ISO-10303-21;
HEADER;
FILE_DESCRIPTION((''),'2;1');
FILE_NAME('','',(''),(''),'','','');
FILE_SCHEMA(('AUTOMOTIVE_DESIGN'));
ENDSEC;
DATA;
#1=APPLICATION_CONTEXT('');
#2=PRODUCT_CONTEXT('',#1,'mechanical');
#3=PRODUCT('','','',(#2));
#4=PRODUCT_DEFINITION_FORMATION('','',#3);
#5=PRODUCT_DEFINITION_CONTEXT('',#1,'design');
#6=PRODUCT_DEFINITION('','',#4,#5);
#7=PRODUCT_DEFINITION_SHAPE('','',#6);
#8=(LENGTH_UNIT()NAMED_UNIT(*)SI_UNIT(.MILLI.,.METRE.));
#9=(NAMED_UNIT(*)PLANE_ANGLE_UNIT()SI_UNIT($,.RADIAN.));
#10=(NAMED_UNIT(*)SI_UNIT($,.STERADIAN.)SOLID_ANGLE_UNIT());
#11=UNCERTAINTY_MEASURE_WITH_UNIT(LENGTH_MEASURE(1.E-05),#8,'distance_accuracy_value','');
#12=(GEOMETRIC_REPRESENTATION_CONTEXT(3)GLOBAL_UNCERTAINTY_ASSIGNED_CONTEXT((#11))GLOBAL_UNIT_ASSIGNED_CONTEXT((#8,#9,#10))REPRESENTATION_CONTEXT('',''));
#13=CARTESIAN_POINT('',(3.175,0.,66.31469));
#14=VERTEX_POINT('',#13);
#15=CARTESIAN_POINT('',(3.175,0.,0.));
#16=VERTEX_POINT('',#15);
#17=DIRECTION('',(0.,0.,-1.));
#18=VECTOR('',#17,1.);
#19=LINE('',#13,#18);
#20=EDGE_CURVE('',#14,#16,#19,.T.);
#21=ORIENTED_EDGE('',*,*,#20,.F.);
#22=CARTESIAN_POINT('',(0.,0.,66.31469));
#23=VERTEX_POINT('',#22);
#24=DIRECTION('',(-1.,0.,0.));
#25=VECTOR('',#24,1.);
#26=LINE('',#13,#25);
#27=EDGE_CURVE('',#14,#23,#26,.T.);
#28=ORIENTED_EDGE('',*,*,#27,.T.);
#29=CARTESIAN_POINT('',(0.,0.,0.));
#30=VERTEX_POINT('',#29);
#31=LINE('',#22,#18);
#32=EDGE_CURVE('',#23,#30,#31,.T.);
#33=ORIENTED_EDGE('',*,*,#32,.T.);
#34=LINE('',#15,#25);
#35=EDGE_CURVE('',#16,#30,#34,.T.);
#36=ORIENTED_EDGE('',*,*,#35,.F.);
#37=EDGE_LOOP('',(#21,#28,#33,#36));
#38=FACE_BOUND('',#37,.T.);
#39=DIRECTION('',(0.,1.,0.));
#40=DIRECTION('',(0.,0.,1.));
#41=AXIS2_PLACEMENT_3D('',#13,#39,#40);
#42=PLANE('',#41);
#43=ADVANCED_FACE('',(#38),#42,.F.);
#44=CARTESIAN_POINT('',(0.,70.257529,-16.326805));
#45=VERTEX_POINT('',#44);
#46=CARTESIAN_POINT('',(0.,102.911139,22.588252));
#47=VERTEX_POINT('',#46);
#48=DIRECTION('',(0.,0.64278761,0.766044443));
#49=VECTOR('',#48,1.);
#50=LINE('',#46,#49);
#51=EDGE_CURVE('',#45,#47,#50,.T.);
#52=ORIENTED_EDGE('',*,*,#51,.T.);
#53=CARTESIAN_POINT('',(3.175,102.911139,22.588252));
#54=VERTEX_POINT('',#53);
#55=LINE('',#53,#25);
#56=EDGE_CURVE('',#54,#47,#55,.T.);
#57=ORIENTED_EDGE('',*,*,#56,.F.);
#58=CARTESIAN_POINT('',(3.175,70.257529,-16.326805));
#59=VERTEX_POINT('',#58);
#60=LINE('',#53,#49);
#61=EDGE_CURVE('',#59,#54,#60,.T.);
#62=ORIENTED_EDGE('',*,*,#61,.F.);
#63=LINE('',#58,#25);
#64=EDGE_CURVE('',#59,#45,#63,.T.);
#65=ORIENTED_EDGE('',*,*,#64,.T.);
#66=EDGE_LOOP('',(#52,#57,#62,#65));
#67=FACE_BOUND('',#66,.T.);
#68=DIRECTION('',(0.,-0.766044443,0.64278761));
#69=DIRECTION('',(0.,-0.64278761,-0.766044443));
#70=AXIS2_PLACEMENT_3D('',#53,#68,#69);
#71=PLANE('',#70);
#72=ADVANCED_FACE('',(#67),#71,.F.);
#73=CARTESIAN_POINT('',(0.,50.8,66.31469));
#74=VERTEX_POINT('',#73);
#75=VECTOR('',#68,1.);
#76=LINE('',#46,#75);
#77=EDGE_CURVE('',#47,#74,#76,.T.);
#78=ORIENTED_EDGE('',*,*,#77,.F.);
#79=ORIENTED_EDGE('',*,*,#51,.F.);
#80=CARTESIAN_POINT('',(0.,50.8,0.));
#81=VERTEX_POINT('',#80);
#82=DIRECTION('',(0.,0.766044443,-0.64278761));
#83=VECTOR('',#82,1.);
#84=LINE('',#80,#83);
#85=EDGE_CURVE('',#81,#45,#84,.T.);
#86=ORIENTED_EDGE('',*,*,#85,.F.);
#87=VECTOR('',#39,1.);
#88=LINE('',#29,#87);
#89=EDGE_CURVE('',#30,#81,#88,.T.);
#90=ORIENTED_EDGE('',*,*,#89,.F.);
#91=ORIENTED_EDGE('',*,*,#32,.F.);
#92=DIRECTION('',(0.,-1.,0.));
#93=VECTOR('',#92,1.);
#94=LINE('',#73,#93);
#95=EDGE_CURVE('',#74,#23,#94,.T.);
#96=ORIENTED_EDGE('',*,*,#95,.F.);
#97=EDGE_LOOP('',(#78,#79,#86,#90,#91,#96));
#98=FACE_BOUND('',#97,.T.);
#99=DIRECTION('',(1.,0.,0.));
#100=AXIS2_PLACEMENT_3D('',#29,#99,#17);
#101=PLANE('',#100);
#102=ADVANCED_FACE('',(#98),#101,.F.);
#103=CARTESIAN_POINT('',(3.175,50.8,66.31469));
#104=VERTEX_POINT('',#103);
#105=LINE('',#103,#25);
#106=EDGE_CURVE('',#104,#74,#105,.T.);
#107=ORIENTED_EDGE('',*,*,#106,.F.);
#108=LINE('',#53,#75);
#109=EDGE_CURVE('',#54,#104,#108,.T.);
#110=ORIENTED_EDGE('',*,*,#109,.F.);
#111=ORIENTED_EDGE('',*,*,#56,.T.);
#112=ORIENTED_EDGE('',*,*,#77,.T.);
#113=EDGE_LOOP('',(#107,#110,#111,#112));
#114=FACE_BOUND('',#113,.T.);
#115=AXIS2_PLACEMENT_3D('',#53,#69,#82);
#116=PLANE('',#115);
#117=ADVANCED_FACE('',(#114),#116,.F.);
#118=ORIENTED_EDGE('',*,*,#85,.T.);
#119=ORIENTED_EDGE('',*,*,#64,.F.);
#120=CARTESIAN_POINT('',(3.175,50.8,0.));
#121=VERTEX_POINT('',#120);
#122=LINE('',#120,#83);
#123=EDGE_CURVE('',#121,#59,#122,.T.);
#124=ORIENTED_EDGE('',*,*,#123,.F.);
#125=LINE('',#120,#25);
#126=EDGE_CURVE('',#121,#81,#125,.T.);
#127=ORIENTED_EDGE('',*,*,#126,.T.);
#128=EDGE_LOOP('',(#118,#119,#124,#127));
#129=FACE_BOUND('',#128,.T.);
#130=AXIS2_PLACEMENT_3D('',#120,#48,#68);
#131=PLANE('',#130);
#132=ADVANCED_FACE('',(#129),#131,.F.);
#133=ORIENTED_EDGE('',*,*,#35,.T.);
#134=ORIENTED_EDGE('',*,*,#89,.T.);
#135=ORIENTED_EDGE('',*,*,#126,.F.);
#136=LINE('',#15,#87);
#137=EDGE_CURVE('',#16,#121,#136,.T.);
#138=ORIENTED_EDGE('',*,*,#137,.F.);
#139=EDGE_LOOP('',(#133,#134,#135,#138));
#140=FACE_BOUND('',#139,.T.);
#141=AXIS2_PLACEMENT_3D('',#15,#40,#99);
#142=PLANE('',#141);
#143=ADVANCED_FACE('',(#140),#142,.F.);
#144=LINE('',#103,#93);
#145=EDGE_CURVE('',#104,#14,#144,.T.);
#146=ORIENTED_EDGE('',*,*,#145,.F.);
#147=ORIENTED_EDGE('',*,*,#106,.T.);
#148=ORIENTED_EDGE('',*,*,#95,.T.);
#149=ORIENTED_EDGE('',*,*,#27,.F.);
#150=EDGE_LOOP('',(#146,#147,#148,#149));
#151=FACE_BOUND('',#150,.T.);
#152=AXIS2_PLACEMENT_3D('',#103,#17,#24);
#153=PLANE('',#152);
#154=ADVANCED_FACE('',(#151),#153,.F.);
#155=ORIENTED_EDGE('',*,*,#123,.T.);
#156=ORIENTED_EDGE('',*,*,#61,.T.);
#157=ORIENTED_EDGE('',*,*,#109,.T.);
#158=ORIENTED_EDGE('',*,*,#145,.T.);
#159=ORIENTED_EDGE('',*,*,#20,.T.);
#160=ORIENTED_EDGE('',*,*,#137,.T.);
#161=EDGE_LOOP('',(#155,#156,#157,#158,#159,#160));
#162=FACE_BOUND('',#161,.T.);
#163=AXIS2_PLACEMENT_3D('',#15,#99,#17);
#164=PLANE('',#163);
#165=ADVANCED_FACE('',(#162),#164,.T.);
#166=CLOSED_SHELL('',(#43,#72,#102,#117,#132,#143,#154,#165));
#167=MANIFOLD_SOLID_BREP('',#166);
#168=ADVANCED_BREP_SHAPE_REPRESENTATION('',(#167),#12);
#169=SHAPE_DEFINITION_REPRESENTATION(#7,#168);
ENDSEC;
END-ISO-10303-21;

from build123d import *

# Parameters (mm, degrees)
BOSS_EXTRUDE1_DEPTH = 3.175


with BuildPart() as part:
    # Sketch1 → Boss-Extrude1 (new body)
    with BuildSketch(Plane(origin=(0, 0, 0), x_dir=(0, 0, -1), z_dir=(1, 0, 0))):
        Polygon((0, 0), (0, 50.8), (16.326805286, 70.257528855), (-22.588252424, 102.911139427), (-66.314690298, 50.8), (-66.314690298, 0), align=None)
    extrude(amount=BOSS_EXTRUDE1_DEPTH)


solid = part.part
